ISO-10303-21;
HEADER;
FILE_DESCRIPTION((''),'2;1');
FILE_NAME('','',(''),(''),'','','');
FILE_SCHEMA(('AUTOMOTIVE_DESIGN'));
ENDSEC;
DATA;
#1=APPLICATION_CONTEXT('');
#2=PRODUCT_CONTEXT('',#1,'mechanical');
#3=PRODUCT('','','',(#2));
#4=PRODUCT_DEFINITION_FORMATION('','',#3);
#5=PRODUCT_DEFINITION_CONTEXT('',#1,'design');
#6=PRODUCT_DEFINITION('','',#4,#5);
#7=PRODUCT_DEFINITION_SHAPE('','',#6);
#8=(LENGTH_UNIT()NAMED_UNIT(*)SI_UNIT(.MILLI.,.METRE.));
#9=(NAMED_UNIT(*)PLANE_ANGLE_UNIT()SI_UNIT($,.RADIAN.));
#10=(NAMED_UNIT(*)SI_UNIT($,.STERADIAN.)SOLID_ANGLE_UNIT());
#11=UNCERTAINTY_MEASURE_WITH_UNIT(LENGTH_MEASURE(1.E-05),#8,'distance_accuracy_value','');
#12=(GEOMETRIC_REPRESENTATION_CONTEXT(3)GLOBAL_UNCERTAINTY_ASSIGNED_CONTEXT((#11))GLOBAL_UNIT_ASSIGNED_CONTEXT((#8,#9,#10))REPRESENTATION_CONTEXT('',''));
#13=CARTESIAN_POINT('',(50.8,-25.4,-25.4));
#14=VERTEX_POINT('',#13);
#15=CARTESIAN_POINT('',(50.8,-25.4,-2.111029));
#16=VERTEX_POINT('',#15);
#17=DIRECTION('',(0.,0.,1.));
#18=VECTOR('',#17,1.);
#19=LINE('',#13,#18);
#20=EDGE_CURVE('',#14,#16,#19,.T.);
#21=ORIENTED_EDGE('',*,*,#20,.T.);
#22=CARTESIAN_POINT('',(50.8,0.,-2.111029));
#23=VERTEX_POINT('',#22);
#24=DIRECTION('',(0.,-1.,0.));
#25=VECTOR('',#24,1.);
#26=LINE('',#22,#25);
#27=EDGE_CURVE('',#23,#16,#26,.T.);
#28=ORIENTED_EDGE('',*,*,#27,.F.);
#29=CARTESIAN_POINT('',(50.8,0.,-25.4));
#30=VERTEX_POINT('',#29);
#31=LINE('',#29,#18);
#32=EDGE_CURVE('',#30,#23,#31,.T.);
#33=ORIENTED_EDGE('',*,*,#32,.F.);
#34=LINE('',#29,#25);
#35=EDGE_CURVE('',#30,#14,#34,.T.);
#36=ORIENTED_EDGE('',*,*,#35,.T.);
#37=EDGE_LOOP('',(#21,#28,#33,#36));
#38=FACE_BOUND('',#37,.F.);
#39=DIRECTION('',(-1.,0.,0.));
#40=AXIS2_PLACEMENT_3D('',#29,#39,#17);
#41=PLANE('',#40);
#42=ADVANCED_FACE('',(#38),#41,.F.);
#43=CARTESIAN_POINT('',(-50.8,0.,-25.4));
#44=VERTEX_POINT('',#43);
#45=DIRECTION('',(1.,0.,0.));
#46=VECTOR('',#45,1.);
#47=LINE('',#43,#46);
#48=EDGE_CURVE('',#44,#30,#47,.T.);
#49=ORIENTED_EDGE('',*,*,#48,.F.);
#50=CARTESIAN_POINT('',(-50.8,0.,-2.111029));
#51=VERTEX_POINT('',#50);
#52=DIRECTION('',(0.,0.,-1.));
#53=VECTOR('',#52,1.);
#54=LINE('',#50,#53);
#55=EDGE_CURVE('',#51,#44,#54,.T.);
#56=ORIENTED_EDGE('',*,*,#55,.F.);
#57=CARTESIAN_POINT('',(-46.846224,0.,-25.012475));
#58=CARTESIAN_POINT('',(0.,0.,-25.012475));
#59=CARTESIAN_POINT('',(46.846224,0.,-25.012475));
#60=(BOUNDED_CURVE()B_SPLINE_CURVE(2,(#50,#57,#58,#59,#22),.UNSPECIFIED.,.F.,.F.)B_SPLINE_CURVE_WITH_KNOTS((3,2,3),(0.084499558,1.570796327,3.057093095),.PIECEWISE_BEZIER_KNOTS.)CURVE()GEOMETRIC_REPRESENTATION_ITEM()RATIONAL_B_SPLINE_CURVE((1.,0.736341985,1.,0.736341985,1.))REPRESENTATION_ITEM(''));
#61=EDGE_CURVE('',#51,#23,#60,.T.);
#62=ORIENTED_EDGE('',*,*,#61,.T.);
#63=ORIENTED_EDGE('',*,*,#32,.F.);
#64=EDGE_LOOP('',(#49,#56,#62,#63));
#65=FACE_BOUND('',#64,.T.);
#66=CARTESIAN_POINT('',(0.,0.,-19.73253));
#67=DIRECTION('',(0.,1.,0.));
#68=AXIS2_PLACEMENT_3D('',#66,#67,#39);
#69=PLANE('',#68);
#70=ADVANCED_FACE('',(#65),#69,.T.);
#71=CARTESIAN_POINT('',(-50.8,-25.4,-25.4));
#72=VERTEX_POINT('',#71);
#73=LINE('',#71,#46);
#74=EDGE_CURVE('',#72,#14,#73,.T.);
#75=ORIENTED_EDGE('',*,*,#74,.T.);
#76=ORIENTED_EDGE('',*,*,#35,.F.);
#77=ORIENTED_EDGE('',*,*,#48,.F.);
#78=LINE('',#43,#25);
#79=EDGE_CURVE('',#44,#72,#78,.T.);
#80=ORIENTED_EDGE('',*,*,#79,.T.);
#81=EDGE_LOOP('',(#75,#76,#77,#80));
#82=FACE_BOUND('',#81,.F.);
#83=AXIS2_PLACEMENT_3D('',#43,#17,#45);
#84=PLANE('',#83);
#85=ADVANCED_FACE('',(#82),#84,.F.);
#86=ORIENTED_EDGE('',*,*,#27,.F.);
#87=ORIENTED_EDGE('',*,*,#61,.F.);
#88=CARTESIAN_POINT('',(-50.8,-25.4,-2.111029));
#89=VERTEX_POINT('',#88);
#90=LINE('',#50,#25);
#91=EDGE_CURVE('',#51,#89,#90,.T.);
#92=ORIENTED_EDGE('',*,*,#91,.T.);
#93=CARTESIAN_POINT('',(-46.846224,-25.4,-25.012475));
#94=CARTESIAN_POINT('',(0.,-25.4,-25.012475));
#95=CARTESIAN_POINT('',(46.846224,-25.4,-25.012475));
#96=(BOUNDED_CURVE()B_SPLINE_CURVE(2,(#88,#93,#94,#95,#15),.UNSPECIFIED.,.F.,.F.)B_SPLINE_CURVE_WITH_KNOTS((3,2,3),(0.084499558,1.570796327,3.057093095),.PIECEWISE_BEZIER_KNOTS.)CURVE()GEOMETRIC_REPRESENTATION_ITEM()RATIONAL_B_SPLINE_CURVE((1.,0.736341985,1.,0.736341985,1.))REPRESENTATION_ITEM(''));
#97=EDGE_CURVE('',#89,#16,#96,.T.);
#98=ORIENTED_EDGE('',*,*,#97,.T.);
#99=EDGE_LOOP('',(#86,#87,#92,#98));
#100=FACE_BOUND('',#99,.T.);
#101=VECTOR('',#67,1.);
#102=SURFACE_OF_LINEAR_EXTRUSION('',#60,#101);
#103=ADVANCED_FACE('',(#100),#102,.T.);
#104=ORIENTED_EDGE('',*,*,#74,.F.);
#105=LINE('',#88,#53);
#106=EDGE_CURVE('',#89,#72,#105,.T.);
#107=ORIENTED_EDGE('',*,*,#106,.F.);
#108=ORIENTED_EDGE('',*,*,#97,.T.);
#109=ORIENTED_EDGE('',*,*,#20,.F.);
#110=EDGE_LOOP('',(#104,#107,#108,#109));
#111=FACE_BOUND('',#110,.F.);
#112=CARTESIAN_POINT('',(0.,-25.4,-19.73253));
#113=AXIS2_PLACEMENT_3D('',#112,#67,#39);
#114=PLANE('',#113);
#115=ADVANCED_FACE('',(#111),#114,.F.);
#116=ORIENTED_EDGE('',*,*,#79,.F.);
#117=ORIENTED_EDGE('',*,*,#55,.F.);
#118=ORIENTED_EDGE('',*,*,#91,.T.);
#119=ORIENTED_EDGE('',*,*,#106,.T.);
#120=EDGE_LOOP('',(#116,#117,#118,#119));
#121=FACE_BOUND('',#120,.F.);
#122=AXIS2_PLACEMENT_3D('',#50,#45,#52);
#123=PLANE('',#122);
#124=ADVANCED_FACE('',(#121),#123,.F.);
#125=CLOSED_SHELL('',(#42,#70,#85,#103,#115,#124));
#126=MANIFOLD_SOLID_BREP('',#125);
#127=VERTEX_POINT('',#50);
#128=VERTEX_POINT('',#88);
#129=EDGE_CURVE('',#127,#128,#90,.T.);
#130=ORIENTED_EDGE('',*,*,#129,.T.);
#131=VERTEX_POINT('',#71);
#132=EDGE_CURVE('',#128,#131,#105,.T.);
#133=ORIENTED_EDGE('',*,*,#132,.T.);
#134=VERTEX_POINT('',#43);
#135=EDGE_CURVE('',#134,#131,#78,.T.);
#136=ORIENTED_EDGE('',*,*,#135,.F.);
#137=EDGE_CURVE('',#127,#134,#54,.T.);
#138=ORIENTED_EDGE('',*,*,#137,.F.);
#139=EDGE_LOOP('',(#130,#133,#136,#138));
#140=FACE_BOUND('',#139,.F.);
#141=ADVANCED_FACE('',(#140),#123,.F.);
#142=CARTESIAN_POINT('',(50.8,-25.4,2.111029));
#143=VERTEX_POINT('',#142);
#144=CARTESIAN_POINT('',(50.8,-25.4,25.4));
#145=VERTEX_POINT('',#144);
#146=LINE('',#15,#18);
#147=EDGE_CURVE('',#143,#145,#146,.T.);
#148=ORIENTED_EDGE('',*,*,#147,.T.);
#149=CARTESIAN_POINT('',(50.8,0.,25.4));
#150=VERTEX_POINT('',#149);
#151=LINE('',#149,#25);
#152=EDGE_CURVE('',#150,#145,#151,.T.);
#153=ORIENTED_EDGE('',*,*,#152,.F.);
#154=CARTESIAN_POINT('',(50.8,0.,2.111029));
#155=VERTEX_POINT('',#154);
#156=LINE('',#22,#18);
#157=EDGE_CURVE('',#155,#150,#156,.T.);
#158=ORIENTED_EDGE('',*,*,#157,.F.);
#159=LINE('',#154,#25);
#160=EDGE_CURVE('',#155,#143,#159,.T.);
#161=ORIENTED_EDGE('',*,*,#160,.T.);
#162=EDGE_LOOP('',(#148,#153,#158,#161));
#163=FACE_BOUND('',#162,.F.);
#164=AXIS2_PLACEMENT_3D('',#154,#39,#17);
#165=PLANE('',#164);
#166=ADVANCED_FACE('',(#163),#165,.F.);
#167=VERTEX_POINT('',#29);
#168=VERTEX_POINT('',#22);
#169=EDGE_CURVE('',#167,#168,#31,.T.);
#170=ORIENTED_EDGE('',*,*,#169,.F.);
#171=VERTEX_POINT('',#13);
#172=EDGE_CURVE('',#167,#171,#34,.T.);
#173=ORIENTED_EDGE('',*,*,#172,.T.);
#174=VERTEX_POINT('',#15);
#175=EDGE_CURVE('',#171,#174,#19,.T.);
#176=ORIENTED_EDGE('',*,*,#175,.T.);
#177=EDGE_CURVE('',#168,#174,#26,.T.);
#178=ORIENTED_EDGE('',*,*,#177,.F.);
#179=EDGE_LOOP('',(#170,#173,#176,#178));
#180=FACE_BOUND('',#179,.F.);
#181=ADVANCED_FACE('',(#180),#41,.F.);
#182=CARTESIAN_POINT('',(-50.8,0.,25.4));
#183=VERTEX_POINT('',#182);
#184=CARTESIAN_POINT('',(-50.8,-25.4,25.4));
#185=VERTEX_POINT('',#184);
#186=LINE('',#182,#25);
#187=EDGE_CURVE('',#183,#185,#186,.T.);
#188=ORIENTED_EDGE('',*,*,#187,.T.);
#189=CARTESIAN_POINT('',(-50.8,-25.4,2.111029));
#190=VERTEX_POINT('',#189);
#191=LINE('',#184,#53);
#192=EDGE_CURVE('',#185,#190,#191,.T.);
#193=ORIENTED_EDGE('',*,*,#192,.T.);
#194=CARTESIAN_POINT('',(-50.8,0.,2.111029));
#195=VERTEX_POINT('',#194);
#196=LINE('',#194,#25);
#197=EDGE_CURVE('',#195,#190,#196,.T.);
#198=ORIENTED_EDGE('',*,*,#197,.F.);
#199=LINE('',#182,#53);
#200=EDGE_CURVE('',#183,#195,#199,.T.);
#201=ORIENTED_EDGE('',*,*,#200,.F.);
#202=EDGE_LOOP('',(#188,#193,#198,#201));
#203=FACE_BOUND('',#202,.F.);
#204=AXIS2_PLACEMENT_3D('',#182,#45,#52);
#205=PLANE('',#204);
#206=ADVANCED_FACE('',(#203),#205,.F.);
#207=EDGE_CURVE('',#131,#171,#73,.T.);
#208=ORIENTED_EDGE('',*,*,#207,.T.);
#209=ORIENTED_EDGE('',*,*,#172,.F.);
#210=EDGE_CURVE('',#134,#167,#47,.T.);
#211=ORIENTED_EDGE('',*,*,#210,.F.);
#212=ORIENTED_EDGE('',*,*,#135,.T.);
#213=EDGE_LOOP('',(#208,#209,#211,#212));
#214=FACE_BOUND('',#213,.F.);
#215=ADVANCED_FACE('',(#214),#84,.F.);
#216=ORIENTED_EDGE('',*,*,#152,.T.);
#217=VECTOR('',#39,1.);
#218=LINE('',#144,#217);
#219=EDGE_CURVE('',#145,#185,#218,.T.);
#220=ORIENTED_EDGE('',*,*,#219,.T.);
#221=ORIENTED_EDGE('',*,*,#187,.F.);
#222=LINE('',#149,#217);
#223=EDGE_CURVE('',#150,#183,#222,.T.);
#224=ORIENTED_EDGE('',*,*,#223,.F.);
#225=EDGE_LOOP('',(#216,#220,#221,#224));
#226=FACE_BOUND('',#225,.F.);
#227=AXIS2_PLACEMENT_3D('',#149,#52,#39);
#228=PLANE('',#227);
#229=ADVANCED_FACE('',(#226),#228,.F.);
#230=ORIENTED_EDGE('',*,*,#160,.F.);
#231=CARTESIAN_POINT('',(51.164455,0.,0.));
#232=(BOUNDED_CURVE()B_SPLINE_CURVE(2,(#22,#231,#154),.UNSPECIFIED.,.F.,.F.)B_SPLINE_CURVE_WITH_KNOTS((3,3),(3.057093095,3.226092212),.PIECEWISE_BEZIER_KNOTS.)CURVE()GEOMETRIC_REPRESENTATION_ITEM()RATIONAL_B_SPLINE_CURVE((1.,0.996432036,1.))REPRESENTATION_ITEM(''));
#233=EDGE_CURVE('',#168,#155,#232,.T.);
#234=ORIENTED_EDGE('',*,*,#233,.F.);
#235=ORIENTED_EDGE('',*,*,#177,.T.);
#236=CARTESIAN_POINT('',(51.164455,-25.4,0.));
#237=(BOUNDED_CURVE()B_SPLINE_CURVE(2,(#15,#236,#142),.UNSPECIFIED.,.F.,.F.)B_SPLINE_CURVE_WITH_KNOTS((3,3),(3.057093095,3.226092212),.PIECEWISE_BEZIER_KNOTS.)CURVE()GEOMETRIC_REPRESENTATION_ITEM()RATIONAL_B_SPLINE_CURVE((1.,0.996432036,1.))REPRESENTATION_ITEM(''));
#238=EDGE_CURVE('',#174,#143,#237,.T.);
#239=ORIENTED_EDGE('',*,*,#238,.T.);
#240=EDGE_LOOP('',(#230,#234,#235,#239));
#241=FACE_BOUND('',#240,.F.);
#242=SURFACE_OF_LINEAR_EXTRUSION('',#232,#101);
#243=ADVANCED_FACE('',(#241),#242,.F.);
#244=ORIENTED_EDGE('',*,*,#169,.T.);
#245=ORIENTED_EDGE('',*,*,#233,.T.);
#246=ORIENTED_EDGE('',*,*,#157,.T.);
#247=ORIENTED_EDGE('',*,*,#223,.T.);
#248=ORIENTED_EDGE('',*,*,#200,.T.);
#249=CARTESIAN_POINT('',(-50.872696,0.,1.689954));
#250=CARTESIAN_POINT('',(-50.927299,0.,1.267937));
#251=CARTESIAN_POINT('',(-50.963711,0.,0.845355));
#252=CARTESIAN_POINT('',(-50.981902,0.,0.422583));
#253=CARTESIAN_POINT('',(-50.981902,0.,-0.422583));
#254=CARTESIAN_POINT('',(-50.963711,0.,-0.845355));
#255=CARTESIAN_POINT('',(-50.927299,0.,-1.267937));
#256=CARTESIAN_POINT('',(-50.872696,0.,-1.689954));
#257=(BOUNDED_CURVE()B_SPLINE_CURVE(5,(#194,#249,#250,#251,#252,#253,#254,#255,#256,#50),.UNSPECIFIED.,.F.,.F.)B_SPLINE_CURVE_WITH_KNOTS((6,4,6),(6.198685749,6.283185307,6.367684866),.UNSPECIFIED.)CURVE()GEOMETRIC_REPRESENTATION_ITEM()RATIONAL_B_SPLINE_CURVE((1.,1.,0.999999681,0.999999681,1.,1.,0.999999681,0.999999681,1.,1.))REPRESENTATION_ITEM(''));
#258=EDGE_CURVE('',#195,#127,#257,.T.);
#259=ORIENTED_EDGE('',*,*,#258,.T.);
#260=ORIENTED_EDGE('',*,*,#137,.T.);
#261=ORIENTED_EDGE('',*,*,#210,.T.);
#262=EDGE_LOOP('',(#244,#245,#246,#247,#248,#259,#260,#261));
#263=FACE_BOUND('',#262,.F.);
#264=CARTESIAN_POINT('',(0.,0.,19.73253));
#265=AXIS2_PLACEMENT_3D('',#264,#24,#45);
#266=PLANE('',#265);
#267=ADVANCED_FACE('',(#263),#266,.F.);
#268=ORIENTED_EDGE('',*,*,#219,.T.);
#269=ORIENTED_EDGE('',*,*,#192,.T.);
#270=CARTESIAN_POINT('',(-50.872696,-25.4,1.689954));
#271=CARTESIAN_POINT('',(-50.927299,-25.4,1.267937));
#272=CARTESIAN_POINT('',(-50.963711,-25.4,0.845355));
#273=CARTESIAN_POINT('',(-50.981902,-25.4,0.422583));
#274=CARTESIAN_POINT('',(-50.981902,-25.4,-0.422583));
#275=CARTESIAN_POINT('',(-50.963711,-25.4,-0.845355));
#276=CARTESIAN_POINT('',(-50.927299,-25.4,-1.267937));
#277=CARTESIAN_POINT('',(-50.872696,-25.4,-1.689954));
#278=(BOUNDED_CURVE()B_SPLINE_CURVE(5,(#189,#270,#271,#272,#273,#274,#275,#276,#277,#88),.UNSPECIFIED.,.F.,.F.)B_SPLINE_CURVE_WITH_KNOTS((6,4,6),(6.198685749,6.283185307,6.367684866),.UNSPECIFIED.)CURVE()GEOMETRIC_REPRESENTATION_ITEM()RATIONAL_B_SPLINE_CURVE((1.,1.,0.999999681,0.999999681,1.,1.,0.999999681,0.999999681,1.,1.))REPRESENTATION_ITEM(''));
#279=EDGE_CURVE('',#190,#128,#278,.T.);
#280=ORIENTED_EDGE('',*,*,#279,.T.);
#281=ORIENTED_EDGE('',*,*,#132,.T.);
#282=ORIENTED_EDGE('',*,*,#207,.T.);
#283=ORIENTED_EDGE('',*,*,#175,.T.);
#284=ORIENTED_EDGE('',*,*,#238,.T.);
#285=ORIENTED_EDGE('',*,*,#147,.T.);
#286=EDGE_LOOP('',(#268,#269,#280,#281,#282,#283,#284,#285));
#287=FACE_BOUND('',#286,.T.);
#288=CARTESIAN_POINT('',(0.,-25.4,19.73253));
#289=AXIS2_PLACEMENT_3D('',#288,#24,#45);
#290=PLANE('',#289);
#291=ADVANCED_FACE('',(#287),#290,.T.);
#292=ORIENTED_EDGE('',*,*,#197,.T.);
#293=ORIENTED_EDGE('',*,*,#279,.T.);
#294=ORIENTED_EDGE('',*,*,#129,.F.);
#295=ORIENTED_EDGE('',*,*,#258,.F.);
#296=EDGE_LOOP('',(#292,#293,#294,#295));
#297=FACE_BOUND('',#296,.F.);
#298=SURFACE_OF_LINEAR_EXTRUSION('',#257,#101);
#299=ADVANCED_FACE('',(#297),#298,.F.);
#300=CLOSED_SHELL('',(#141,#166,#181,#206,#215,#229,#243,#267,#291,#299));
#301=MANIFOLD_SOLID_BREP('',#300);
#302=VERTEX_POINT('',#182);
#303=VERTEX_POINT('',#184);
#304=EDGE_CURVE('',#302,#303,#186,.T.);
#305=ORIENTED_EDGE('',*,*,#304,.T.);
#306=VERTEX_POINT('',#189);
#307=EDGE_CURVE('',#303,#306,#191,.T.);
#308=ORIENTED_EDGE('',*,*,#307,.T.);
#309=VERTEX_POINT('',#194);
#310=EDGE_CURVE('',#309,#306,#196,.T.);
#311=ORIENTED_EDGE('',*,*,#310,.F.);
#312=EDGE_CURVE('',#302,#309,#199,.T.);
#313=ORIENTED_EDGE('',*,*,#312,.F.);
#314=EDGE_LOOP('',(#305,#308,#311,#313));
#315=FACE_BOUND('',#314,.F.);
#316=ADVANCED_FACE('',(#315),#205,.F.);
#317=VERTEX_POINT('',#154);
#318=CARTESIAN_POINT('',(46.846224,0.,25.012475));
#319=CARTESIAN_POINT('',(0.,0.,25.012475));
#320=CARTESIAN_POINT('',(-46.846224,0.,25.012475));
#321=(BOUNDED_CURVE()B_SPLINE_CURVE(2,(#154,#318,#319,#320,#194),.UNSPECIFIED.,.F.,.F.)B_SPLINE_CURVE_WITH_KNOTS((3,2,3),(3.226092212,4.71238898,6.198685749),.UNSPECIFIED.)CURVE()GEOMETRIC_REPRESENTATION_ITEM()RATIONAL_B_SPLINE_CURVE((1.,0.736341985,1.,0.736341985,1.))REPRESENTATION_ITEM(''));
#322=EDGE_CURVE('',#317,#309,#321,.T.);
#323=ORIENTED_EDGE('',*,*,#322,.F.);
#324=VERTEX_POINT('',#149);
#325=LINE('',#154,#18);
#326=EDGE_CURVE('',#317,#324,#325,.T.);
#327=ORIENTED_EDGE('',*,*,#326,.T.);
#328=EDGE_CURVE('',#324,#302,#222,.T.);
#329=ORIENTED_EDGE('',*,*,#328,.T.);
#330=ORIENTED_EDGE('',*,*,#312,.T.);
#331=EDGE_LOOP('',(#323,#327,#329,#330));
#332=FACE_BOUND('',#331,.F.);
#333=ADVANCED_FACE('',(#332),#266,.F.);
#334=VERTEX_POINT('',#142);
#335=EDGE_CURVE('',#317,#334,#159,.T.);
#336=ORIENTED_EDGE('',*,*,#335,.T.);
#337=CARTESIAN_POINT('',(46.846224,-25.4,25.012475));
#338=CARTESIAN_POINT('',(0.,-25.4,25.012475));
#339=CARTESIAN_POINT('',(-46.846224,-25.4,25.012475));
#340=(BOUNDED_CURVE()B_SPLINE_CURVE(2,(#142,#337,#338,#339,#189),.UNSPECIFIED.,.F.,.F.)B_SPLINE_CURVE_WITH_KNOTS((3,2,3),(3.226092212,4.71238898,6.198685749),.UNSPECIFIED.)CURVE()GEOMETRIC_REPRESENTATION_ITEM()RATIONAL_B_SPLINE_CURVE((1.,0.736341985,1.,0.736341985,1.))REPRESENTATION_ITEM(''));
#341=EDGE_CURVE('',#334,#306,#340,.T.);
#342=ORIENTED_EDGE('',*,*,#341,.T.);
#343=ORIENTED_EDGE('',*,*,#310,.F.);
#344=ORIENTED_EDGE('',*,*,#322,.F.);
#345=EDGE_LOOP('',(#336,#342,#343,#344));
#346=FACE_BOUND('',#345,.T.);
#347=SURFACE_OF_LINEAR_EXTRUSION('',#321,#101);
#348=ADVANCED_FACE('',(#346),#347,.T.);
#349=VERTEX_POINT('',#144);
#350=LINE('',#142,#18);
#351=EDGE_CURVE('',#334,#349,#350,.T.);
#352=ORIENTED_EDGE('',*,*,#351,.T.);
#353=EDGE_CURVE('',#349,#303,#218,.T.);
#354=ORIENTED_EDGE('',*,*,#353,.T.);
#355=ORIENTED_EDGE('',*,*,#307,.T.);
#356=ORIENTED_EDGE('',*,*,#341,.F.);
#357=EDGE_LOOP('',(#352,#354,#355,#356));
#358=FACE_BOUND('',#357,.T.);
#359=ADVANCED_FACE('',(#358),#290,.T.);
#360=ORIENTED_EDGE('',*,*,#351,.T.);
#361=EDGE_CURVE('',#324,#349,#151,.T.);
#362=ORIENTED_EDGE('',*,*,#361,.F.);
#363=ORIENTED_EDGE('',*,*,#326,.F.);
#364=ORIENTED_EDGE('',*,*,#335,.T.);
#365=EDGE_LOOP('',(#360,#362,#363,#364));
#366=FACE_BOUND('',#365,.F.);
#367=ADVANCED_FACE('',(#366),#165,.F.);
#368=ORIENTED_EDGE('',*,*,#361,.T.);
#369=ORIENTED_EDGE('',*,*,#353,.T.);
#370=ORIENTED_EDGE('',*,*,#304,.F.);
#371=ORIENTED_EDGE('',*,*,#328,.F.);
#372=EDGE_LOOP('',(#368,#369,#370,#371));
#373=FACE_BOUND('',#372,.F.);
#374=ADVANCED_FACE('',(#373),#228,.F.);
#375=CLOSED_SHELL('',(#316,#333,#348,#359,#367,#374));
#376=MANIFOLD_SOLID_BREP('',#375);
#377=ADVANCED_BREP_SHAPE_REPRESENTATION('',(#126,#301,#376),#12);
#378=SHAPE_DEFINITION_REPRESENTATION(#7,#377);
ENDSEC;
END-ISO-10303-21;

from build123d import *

# Parameters (mm, degrees)
F1_DEPTH = 25.4
F2_DEPTH = 25.4


with BuildPart() as f1:
    # F0 (on Front) → F1 (new body)
    with BuildSketch(Plane.XZ):
        with BuildLine():
            Line((50.8, 25.4), (-50.8, 25.4))
            Line((-50.8, 25.4), (-50.8, 2.111028816))
            add(Edge.make_bspline(
                [(50.8, 2.111028816), (46.8462238092, 25.0124750638), (0, 25.0124750638), (-46.8462238092, 25.0124750638), (-50.8, 2.111028816)],
                knots=[3.2260922119, 3.2260922119, 3.2260922119, 4.7123889804, 4.7123889804, 6.1986857488, 6.1986857488, 6.1986857488], degree=2, weights=[1, 0.7363419848, 1, 0.7363419848, 1]))
            Line((50.8, 2.111028816), (50.8, 25.4))
        make_face()
    extrude(amount=F1_DEPTH)


with BuildPart() as f1b:
    # F0 (on Front) → F1, piece 2 (new body)
    with BuildSketch(Plane.XZ):
        with BuildLine():
            add(Edge.make_bspline(
                [(-50.8, -2.111028816), (-46.8462238092, -25.0124750638), (0, -25.0124750638), (46.8462238092, -25.0124750638), (50.8, -2.111028816)],
                knots=[0.0844995584, 0.0844995584, 0.0844995584, 1.5707963268, 1.5707963268, 3.0570930952, 3.0570930952, 3.0570930952], degree=2, weights=[1, 0.7363419848, 1, 0.7363419848, 1]))
            Line((-50.8, -2.111028816), (-50.8, -25.4))
            Line((-50.8, -25.4), (50.8, -25.4))
            Line((50.8, -25.4), (50.8, -2.111028816))
        make_face()
    extrude(amount=F1_DEPTH)


with BuildPart() as f2:
    # F0 (on Front) → F2 (new body)
    with BuildSketch(Plane.XZ):
        with BuildLine():
            Line((50.8, 25.4), (-50.8, 25.4))
            Line((-50.8, 25.4), (-50.8, 2.111028816))
            add(Edge.make_bspline(
                [(50.8, 2.111028816), (46.8462238092, 25.0124750638), (0, 25.0124750638), (-46.8462238092, 25.0124750638), (-50.8, 2.111028816)],
                knots=[3.2260922119, 3.2260922119, 3.2260922119, 4.7123889804, 4.7123889804, 6.1986857488, 6.1986857488, 6.1986857488], degree=2, weights=[1, 0.7363419848, 1, 0.7363419848, 1]))
            Line((50.8, 2.111028816), (50.8, 25.4))
        make_face()
        with BuildLine():
            add(Edge.make_bspline(
                [(50.8, 2.111028816), (46.8462238092, 25.0124750638), (0, 25.0124750638), (-46.8462238092, 25.0124750638), (-50.8, 2.111028816)],
                knots=[3.2260922119, 3.2260922119, 3.2260922119, 4.7123889804, 4.7123889804, 6.1986857488, 6.1986857488, 6.1986857488], degree=2, weights=[1, 0.7363419848, 1, 0.7363419848, 1]))
            Line((-50.8, 2.111028816), (-50.8, -2.111028816))
            add(Edge.make_bspline(
                [(-50.8, -2.111028816), (-46.8462238092, -25.0124750638), (0, -25.0124750638), (46.8462238092, -25.0124750638), (50.8, -2.111028816)],
                knots=[0.0844995584, 0.0844995584, 0.0844995584, 1.5707963268, 1.5707963268, 3.0570930952, 3.0570930952, 3.0570930952], degree=2, weights=[1, 0.7363419848, 1, 0.7363419848, 1]))
            Line((50.8, -2.111028816), (50.8, 2.111028816))
        make_face()
        with BuildLine():
            Line((-50.8, -2.111028816), (-50.8, 2.111028816))
            add(Edge.make_bspline(
                [(-50.8, 2.111028816), (-50.9819015861, 1.0574007919), (-50.9819015861, 0)],
                knots=[6.1986857488, 6.1986857488, 6.1986857488, 6.2831853072, 6.2831853072, 6.2831853072], degree=2, weights=[1, 0.9991076108, 1]))
            add(Edge.make_bspline(
                [(-50.9819015861, 0), (-50.9819015861, -1.0574007919), (-50.8, -2.111028816)],
                knots=[0, 0, 0, 0.0844995584, 0.0844995584, 0.0844995584], degree=2, weights=[1, 0.9991076108, 1]))
        make_face()
        with BuildLine():
            add(Edge.make_bspline(
                [(50.8, -2.111028816), (51.1644545144, 0), (50.8, 2.111028816)],
                knots=[3.0570930952, 3.0570930952, 3.0570930952, 3.2260922119, 3.2260922119, 3.2260922119], degree=2, weights=[1, 0.9964320361, 1]))
            Line((50.8, 2.111028816), (50.8, -2.111028816))
        make_face()
        with BuildLine():
            add(Edge.make_bspline(
                [(-50.8, -2.111028816), (-46.8462238092, -25.0124750638), (0, -25.0124750638), (46.8462238092, -25.0124750638), (50.8, -2.111028816)],
                knots=[0.0844995584, 0.0844995584, 0.0844995584, 1.5707963268, 1.5707963268, 3.0570930952, 3.0570930952, 3.0570930952], degree=2, weights=[1, 0.7363419848, 1, 0.7363419848, 1]))
            Line((-50.8, -2.111028816), (-50.8, -25.4))
            Line((-50.8, -25.4), (50.8, -25.4))
            Line((50.8, -25.4), (50.8, -2.111028816))
        make_face()
    extrude(amount=F2_DEPTH)


solid = Compound([f1.part, f1b.part, f2.part])
